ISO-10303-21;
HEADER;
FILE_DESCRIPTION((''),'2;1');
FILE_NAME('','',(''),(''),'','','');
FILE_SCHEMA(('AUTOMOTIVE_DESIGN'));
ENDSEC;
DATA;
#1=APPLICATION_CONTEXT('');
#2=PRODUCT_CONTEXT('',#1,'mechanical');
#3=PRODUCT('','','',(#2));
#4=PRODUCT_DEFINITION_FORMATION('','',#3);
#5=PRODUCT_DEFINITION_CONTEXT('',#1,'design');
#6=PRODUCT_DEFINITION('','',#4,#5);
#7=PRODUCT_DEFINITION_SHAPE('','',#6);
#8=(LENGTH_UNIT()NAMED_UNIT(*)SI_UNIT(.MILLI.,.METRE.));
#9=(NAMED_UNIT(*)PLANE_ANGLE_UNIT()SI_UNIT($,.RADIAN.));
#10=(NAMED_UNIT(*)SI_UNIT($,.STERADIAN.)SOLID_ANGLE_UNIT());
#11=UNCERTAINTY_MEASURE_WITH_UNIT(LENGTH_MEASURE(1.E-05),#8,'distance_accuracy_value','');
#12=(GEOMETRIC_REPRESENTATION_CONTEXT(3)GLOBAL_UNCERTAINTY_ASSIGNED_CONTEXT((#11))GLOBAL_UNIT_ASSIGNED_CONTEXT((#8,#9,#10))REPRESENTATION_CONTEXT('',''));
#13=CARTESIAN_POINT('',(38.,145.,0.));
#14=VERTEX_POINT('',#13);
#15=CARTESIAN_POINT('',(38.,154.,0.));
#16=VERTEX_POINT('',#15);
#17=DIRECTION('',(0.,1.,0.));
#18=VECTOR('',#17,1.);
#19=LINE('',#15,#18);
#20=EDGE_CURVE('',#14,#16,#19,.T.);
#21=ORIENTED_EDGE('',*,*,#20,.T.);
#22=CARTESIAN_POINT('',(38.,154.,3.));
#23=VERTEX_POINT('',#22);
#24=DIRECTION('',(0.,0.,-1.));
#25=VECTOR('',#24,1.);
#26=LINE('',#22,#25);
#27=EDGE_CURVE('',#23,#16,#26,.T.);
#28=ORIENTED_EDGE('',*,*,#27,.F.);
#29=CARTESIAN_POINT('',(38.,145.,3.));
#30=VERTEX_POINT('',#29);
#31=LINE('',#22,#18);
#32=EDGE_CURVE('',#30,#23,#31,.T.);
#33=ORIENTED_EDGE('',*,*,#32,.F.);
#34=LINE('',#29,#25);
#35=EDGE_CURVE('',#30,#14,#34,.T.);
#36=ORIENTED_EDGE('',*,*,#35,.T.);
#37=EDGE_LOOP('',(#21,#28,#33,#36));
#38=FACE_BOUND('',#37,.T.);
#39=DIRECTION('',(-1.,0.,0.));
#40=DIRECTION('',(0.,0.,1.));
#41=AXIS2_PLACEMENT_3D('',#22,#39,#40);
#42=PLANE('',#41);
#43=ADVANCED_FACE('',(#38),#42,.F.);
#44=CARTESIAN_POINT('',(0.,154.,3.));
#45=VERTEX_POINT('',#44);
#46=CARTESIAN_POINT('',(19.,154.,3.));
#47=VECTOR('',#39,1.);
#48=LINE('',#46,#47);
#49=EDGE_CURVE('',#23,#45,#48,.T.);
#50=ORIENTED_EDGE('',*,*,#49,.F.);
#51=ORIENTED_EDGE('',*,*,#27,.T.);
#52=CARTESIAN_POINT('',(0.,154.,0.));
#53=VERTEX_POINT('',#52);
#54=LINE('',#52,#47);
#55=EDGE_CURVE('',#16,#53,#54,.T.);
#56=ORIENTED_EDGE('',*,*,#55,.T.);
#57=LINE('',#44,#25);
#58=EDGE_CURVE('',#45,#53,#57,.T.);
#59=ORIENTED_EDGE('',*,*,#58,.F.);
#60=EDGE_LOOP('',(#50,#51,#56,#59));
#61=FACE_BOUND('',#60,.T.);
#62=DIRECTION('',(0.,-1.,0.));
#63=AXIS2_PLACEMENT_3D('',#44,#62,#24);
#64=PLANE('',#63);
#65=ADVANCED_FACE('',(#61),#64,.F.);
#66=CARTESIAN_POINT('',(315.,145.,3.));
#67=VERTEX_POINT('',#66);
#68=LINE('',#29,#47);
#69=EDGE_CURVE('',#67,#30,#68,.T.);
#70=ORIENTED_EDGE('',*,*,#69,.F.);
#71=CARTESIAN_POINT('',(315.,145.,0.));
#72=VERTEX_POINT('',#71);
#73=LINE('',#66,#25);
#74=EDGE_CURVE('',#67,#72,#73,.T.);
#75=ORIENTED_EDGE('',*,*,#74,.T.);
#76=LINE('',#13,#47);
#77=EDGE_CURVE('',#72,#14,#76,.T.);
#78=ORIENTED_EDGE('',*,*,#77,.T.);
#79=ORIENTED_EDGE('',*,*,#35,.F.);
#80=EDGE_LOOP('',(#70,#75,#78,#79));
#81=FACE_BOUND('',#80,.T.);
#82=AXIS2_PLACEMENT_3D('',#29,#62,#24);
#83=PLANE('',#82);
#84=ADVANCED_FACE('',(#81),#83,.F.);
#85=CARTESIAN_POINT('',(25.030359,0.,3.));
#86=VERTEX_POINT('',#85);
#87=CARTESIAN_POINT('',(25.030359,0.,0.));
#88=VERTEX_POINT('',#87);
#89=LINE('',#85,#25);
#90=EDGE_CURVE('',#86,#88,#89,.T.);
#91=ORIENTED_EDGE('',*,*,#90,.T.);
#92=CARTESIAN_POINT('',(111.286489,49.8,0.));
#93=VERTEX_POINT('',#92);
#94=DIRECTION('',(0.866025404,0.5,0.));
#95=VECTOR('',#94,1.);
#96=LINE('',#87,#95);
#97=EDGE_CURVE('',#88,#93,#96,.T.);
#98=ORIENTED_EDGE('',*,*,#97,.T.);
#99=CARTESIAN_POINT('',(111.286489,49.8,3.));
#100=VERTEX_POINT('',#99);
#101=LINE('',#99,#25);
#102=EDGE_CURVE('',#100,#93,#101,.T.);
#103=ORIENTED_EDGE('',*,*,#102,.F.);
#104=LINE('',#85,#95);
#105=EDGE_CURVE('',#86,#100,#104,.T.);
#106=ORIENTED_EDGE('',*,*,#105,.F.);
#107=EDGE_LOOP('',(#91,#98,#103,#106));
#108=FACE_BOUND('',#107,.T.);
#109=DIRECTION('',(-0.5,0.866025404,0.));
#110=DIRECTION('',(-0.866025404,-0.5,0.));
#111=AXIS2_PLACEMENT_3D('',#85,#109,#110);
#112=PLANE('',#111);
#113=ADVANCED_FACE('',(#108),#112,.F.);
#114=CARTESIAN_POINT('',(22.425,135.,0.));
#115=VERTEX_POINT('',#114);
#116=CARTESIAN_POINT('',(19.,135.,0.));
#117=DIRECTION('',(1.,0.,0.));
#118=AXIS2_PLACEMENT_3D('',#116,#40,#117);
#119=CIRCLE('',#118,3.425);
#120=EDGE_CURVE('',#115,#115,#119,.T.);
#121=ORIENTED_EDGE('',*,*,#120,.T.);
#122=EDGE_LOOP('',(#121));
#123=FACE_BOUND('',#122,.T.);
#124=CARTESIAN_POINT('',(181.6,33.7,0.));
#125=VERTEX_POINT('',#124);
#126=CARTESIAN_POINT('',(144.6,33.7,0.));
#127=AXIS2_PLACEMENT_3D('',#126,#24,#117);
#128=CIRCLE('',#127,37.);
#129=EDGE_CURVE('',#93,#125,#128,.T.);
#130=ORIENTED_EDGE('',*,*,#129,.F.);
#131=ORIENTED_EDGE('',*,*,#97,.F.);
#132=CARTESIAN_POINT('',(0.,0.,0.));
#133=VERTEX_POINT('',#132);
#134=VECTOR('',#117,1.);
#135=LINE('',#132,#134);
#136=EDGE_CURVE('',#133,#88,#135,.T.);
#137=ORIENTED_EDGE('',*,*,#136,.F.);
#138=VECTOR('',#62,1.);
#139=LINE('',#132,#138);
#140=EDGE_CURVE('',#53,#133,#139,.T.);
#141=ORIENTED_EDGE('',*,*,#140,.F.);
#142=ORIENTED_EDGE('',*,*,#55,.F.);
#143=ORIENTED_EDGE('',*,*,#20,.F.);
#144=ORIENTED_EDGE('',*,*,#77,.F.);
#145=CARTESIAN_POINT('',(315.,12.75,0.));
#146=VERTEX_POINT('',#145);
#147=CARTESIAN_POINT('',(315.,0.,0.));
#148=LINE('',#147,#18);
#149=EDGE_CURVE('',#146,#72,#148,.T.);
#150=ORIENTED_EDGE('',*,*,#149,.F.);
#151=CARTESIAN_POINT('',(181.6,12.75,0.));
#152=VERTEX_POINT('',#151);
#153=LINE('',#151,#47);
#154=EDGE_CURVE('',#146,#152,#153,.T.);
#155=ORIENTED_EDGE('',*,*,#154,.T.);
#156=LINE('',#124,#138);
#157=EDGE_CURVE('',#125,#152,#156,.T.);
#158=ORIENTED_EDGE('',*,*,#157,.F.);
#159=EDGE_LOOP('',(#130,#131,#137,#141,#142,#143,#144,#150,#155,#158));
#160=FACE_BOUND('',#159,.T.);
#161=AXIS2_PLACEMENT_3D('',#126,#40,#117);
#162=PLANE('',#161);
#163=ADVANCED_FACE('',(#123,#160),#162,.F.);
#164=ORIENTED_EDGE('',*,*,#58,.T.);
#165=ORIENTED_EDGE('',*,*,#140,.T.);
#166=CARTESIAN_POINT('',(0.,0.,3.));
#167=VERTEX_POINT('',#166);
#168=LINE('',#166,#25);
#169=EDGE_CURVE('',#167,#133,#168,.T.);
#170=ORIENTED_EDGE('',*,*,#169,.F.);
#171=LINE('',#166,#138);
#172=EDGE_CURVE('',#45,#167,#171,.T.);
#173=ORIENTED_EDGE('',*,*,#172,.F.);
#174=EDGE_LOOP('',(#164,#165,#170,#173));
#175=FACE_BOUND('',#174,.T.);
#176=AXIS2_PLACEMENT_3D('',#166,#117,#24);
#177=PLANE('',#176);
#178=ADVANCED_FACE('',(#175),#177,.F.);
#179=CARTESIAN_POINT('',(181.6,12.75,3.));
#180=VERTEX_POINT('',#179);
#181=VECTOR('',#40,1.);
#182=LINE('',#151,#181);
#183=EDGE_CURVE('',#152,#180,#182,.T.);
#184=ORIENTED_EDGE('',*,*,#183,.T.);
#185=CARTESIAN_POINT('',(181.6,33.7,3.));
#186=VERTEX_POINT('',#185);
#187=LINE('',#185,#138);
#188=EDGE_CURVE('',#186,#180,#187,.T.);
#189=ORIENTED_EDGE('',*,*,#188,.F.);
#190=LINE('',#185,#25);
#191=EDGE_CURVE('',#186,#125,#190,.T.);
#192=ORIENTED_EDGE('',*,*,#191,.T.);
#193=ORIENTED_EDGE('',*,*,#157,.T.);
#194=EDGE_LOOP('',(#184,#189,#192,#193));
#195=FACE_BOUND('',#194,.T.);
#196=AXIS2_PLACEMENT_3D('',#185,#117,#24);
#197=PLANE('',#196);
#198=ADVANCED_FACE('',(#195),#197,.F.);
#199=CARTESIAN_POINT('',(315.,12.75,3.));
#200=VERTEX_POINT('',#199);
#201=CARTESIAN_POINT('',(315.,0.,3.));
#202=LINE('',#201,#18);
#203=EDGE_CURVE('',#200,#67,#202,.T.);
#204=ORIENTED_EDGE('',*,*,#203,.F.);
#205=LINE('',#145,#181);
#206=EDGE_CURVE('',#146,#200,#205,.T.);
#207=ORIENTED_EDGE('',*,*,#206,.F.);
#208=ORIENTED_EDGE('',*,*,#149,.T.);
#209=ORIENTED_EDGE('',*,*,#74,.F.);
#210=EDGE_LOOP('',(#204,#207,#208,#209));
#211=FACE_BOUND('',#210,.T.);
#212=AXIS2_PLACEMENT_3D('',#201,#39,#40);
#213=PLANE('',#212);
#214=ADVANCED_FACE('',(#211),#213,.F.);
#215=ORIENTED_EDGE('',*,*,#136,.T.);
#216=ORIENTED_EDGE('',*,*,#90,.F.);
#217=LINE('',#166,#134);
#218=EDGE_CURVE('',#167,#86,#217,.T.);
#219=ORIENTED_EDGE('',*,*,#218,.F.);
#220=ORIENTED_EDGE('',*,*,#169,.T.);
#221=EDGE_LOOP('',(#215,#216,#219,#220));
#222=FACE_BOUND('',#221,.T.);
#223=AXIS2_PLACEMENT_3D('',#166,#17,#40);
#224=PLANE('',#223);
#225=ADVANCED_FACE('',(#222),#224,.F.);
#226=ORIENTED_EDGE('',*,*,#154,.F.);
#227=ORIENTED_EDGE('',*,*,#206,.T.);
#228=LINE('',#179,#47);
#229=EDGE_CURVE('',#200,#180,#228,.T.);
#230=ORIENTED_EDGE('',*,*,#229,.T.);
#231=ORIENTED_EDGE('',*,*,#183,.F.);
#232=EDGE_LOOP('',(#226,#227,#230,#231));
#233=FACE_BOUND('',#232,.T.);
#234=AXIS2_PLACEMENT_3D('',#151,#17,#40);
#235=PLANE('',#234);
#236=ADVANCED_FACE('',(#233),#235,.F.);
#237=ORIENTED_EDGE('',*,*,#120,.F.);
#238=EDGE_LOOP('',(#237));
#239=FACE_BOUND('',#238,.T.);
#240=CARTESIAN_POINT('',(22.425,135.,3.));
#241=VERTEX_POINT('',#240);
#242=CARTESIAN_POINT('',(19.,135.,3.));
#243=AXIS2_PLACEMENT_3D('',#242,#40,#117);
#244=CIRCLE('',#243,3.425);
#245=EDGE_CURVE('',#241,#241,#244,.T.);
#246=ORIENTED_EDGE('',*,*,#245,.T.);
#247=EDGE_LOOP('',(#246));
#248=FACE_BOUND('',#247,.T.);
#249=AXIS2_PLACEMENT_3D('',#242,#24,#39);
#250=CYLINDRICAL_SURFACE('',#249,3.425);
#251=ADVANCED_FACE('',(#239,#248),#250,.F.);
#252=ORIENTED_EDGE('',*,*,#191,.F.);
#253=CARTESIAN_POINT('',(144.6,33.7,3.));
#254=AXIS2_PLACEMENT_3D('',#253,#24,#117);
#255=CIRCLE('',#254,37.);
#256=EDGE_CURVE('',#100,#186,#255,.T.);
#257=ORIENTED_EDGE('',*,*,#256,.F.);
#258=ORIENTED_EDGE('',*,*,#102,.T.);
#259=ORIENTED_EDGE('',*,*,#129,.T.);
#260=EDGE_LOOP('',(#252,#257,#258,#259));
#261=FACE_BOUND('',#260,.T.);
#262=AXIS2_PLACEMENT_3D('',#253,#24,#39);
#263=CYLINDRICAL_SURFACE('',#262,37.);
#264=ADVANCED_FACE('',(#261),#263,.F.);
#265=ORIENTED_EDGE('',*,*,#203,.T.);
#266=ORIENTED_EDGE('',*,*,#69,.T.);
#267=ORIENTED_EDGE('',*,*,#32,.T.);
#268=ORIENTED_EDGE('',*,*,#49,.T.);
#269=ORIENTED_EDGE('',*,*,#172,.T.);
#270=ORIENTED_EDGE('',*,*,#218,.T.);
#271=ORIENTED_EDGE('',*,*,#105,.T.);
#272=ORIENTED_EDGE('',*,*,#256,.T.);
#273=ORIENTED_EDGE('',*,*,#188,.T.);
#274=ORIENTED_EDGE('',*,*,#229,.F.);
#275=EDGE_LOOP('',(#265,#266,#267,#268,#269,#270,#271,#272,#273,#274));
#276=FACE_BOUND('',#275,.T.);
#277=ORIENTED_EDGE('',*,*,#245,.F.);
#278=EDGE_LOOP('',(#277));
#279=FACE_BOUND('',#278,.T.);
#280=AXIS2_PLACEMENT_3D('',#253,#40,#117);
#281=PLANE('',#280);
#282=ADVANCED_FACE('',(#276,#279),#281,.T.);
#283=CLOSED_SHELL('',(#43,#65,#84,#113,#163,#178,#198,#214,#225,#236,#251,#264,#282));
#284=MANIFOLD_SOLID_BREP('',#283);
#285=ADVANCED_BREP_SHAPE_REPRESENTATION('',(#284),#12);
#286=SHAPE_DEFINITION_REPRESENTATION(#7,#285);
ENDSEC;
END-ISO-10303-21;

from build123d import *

# Parameters (mm, degrees)
SKETCH2_R           = 3.425
BOSS_EXTRUDE2_DEPTH = 3
SKETCH3_W           = 133.4
SKETCH3_H           = 12.75
CUT_EXTRUDE1_DEPTH  = 351.642267846


with BuildPart() as part:
    # Sketch2 → Boss-Extrude2 (new body)
    with BuildSketch(Plane.XY):
        with BuildLine():
            Line((25.03035901, 0), (111.286489227, 49.8))
            ThreePointArc((111.286489227, 49.8), (152.858332199, 69.766604349), (181.6, 33.7))
            Line((181.6, 33.7), (181.6, 0))
            Line((181.6, 0), (315, 0))
            Line((315, 0), (315, 145))
            Line((315, 145), (38, 145))
            Line((38, 145), (38, 154))
            Line((38, 154), (19, 154))
            Line((19, 154), (0, 154))
            Line((0, 154), (0, 0))
            Line((0, 0), (25.03035901, 0))
        make_face()
        with Locations((19, 135)):
            Circle(SKETCH2_R, mode=Mode.SUBTRACT)
    extrude(amount=BOSS_EXTRUDE2_DEPTH)

    # Sketch3 → Cut-Extrude1 (cut, through all)
    with BuildSketch(Plane.XY.offset(3)):
        with Locations((248.3, 6.375)):
            Rectangle(SKETCH3_W, SKETCH3_H)
    extrude(amount=-CUT_EXTRUDE1_DEPTH, mode=Mode.SUBTRACT)


solid = part.part
